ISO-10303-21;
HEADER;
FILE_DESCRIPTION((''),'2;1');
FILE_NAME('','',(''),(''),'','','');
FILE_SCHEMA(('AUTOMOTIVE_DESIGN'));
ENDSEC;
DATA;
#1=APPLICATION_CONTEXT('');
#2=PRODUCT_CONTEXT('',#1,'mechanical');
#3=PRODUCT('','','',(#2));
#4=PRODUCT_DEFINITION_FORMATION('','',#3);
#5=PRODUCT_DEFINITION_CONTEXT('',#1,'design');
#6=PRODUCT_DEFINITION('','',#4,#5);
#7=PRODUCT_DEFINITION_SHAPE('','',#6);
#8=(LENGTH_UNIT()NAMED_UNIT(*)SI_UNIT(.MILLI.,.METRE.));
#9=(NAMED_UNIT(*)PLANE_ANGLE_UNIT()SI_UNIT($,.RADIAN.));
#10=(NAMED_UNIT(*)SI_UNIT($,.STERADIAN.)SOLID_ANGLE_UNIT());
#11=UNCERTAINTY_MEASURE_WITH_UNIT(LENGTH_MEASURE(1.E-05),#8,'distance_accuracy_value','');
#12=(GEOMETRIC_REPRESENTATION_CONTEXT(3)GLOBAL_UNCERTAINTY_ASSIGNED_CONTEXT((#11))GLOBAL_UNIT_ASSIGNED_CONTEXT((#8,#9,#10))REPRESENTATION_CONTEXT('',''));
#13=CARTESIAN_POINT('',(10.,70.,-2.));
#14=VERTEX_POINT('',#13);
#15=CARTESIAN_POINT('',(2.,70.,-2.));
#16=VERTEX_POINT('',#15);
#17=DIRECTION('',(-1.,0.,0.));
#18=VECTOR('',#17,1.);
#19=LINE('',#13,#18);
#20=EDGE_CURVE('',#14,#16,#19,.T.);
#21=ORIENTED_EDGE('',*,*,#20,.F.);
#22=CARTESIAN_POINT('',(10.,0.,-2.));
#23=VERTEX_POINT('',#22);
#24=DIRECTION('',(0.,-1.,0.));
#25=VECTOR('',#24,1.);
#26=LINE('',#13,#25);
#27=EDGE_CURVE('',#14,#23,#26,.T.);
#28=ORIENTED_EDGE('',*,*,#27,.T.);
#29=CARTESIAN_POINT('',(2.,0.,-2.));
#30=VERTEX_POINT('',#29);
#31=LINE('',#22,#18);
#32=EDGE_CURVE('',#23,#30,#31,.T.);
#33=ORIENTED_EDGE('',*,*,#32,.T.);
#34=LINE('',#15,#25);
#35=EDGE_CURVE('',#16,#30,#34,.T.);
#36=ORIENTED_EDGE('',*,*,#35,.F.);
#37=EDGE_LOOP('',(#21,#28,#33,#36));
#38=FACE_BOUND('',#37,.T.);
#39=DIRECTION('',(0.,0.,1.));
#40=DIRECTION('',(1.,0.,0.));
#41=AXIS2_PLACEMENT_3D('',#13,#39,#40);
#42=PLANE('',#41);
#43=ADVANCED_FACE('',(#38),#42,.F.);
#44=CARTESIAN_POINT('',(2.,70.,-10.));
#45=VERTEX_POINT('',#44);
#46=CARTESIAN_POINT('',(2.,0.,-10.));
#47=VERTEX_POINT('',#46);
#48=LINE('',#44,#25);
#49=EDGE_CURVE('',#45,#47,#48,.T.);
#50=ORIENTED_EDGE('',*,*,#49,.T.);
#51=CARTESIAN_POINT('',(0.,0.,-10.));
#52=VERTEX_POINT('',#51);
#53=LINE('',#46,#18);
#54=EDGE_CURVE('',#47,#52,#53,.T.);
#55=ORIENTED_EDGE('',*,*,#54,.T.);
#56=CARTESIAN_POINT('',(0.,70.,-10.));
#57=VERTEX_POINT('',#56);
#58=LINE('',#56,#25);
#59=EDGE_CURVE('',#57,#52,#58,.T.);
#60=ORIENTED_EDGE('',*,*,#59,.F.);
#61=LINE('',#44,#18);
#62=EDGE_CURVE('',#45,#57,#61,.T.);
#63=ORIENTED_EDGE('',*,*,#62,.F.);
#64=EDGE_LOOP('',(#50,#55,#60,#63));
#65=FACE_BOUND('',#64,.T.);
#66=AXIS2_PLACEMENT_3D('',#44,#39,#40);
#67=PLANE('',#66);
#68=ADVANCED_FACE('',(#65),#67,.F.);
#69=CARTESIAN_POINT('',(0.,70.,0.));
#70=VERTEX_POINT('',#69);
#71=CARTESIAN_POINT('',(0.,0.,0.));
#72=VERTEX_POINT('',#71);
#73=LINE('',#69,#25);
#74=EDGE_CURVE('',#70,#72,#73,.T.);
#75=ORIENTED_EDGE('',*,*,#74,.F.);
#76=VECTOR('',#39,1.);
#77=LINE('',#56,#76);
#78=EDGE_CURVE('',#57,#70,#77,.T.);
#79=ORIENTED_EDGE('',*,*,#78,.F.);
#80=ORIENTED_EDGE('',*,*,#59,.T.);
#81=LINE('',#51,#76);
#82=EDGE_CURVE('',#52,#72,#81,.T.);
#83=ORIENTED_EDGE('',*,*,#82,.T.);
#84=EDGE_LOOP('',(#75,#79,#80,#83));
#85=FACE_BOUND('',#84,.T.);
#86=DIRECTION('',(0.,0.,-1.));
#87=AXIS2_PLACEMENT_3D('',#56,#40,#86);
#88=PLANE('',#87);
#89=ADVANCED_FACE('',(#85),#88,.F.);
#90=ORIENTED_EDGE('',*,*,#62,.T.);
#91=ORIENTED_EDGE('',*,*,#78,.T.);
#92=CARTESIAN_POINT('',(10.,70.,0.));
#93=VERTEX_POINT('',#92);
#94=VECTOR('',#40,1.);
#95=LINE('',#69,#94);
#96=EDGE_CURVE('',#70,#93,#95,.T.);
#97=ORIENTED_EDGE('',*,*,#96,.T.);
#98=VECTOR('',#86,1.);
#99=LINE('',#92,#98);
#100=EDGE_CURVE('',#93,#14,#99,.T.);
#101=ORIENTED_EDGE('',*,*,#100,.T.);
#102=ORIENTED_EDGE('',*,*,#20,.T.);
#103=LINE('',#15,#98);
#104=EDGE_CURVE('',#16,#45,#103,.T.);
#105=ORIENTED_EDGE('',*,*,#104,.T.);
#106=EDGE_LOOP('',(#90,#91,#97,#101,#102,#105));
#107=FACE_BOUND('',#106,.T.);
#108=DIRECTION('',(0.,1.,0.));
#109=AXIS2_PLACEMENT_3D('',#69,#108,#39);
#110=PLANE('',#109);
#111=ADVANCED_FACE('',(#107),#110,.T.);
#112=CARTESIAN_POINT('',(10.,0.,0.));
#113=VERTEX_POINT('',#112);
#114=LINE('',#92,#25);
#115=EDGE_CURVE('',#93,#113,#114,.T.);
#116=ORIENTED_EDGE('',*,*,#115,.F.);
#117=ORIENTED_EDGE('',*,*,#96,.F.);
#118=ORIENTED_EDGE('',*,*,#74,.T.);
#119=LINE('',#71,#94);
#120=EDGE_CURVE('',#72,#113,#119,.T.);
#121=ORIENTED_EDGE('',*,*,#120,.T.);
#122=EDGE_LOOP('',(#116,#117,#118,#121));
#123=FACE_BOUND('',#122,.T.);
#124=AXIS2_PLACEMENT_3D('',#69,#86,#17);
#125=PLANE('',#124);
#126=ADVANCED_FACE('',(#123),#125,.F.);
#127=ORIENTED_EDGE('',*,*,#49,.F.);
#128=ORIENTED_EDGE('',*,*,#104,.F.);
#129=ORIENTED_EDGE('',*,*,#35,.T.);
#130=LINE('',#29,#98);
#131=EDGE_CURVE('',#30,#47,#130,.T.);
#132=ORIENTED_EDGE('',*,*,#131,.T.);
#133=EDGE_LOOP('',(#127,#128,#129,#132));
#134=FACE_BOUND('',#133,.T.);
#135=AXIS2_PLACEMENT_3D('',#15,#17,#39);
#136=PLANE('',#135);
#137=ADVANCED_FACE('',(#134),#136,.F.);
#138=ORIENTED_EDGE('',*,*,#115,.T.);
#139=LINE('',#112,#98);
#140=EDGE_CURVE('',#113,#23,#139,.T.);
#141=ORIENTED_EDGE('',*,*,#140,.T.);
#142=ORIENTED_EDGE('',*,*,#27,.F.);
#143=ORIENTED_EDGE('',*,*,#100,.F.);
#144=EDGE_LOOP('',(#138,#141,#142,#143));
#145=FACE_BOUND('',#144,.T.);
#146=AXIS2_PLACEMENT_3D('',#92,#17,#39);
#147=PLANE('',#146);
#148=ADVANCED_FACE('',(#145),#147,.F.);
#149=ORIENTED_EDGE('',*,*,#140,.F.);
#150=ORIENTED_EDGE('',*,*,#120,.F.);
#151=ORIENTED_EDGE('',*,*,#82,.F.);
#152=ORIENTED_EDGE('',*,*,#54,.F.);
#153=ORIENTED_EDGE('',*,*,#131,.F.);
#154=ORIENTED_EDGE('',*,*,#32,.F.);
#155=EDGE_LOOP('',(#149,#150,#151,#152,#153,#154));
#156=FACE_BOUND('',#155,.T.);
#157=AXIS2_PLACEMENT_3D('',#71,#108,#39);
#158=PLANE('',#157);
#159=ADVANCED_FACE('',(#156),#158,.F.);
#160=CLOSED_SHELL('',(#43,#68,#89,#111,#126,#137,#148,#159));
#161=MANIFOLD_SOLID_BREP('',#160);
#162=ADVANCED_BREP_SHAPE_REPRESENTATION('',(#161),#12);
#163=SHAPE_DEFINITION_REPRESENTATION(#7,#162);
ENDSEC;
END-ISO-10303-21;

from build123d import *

# Parameters (mm, degrees)
EXTRUDE_1_DEPTH = 70


with BuildPart() as part:
    # 草图1 → 凸台-拉伸1 (new body)
    with BuildSketch(Plane(origin=(0, 0, 0), x_dir=(1, 0, 0), z_dir=(0, 1, 0))):
        Polygon((0, 0), (10, 0), (10, 2), (2, 2), (2, 10), (0, 10), align=None)
    extrude(amount=EXTRUDE_1_DEPTH)


solid = part.part
